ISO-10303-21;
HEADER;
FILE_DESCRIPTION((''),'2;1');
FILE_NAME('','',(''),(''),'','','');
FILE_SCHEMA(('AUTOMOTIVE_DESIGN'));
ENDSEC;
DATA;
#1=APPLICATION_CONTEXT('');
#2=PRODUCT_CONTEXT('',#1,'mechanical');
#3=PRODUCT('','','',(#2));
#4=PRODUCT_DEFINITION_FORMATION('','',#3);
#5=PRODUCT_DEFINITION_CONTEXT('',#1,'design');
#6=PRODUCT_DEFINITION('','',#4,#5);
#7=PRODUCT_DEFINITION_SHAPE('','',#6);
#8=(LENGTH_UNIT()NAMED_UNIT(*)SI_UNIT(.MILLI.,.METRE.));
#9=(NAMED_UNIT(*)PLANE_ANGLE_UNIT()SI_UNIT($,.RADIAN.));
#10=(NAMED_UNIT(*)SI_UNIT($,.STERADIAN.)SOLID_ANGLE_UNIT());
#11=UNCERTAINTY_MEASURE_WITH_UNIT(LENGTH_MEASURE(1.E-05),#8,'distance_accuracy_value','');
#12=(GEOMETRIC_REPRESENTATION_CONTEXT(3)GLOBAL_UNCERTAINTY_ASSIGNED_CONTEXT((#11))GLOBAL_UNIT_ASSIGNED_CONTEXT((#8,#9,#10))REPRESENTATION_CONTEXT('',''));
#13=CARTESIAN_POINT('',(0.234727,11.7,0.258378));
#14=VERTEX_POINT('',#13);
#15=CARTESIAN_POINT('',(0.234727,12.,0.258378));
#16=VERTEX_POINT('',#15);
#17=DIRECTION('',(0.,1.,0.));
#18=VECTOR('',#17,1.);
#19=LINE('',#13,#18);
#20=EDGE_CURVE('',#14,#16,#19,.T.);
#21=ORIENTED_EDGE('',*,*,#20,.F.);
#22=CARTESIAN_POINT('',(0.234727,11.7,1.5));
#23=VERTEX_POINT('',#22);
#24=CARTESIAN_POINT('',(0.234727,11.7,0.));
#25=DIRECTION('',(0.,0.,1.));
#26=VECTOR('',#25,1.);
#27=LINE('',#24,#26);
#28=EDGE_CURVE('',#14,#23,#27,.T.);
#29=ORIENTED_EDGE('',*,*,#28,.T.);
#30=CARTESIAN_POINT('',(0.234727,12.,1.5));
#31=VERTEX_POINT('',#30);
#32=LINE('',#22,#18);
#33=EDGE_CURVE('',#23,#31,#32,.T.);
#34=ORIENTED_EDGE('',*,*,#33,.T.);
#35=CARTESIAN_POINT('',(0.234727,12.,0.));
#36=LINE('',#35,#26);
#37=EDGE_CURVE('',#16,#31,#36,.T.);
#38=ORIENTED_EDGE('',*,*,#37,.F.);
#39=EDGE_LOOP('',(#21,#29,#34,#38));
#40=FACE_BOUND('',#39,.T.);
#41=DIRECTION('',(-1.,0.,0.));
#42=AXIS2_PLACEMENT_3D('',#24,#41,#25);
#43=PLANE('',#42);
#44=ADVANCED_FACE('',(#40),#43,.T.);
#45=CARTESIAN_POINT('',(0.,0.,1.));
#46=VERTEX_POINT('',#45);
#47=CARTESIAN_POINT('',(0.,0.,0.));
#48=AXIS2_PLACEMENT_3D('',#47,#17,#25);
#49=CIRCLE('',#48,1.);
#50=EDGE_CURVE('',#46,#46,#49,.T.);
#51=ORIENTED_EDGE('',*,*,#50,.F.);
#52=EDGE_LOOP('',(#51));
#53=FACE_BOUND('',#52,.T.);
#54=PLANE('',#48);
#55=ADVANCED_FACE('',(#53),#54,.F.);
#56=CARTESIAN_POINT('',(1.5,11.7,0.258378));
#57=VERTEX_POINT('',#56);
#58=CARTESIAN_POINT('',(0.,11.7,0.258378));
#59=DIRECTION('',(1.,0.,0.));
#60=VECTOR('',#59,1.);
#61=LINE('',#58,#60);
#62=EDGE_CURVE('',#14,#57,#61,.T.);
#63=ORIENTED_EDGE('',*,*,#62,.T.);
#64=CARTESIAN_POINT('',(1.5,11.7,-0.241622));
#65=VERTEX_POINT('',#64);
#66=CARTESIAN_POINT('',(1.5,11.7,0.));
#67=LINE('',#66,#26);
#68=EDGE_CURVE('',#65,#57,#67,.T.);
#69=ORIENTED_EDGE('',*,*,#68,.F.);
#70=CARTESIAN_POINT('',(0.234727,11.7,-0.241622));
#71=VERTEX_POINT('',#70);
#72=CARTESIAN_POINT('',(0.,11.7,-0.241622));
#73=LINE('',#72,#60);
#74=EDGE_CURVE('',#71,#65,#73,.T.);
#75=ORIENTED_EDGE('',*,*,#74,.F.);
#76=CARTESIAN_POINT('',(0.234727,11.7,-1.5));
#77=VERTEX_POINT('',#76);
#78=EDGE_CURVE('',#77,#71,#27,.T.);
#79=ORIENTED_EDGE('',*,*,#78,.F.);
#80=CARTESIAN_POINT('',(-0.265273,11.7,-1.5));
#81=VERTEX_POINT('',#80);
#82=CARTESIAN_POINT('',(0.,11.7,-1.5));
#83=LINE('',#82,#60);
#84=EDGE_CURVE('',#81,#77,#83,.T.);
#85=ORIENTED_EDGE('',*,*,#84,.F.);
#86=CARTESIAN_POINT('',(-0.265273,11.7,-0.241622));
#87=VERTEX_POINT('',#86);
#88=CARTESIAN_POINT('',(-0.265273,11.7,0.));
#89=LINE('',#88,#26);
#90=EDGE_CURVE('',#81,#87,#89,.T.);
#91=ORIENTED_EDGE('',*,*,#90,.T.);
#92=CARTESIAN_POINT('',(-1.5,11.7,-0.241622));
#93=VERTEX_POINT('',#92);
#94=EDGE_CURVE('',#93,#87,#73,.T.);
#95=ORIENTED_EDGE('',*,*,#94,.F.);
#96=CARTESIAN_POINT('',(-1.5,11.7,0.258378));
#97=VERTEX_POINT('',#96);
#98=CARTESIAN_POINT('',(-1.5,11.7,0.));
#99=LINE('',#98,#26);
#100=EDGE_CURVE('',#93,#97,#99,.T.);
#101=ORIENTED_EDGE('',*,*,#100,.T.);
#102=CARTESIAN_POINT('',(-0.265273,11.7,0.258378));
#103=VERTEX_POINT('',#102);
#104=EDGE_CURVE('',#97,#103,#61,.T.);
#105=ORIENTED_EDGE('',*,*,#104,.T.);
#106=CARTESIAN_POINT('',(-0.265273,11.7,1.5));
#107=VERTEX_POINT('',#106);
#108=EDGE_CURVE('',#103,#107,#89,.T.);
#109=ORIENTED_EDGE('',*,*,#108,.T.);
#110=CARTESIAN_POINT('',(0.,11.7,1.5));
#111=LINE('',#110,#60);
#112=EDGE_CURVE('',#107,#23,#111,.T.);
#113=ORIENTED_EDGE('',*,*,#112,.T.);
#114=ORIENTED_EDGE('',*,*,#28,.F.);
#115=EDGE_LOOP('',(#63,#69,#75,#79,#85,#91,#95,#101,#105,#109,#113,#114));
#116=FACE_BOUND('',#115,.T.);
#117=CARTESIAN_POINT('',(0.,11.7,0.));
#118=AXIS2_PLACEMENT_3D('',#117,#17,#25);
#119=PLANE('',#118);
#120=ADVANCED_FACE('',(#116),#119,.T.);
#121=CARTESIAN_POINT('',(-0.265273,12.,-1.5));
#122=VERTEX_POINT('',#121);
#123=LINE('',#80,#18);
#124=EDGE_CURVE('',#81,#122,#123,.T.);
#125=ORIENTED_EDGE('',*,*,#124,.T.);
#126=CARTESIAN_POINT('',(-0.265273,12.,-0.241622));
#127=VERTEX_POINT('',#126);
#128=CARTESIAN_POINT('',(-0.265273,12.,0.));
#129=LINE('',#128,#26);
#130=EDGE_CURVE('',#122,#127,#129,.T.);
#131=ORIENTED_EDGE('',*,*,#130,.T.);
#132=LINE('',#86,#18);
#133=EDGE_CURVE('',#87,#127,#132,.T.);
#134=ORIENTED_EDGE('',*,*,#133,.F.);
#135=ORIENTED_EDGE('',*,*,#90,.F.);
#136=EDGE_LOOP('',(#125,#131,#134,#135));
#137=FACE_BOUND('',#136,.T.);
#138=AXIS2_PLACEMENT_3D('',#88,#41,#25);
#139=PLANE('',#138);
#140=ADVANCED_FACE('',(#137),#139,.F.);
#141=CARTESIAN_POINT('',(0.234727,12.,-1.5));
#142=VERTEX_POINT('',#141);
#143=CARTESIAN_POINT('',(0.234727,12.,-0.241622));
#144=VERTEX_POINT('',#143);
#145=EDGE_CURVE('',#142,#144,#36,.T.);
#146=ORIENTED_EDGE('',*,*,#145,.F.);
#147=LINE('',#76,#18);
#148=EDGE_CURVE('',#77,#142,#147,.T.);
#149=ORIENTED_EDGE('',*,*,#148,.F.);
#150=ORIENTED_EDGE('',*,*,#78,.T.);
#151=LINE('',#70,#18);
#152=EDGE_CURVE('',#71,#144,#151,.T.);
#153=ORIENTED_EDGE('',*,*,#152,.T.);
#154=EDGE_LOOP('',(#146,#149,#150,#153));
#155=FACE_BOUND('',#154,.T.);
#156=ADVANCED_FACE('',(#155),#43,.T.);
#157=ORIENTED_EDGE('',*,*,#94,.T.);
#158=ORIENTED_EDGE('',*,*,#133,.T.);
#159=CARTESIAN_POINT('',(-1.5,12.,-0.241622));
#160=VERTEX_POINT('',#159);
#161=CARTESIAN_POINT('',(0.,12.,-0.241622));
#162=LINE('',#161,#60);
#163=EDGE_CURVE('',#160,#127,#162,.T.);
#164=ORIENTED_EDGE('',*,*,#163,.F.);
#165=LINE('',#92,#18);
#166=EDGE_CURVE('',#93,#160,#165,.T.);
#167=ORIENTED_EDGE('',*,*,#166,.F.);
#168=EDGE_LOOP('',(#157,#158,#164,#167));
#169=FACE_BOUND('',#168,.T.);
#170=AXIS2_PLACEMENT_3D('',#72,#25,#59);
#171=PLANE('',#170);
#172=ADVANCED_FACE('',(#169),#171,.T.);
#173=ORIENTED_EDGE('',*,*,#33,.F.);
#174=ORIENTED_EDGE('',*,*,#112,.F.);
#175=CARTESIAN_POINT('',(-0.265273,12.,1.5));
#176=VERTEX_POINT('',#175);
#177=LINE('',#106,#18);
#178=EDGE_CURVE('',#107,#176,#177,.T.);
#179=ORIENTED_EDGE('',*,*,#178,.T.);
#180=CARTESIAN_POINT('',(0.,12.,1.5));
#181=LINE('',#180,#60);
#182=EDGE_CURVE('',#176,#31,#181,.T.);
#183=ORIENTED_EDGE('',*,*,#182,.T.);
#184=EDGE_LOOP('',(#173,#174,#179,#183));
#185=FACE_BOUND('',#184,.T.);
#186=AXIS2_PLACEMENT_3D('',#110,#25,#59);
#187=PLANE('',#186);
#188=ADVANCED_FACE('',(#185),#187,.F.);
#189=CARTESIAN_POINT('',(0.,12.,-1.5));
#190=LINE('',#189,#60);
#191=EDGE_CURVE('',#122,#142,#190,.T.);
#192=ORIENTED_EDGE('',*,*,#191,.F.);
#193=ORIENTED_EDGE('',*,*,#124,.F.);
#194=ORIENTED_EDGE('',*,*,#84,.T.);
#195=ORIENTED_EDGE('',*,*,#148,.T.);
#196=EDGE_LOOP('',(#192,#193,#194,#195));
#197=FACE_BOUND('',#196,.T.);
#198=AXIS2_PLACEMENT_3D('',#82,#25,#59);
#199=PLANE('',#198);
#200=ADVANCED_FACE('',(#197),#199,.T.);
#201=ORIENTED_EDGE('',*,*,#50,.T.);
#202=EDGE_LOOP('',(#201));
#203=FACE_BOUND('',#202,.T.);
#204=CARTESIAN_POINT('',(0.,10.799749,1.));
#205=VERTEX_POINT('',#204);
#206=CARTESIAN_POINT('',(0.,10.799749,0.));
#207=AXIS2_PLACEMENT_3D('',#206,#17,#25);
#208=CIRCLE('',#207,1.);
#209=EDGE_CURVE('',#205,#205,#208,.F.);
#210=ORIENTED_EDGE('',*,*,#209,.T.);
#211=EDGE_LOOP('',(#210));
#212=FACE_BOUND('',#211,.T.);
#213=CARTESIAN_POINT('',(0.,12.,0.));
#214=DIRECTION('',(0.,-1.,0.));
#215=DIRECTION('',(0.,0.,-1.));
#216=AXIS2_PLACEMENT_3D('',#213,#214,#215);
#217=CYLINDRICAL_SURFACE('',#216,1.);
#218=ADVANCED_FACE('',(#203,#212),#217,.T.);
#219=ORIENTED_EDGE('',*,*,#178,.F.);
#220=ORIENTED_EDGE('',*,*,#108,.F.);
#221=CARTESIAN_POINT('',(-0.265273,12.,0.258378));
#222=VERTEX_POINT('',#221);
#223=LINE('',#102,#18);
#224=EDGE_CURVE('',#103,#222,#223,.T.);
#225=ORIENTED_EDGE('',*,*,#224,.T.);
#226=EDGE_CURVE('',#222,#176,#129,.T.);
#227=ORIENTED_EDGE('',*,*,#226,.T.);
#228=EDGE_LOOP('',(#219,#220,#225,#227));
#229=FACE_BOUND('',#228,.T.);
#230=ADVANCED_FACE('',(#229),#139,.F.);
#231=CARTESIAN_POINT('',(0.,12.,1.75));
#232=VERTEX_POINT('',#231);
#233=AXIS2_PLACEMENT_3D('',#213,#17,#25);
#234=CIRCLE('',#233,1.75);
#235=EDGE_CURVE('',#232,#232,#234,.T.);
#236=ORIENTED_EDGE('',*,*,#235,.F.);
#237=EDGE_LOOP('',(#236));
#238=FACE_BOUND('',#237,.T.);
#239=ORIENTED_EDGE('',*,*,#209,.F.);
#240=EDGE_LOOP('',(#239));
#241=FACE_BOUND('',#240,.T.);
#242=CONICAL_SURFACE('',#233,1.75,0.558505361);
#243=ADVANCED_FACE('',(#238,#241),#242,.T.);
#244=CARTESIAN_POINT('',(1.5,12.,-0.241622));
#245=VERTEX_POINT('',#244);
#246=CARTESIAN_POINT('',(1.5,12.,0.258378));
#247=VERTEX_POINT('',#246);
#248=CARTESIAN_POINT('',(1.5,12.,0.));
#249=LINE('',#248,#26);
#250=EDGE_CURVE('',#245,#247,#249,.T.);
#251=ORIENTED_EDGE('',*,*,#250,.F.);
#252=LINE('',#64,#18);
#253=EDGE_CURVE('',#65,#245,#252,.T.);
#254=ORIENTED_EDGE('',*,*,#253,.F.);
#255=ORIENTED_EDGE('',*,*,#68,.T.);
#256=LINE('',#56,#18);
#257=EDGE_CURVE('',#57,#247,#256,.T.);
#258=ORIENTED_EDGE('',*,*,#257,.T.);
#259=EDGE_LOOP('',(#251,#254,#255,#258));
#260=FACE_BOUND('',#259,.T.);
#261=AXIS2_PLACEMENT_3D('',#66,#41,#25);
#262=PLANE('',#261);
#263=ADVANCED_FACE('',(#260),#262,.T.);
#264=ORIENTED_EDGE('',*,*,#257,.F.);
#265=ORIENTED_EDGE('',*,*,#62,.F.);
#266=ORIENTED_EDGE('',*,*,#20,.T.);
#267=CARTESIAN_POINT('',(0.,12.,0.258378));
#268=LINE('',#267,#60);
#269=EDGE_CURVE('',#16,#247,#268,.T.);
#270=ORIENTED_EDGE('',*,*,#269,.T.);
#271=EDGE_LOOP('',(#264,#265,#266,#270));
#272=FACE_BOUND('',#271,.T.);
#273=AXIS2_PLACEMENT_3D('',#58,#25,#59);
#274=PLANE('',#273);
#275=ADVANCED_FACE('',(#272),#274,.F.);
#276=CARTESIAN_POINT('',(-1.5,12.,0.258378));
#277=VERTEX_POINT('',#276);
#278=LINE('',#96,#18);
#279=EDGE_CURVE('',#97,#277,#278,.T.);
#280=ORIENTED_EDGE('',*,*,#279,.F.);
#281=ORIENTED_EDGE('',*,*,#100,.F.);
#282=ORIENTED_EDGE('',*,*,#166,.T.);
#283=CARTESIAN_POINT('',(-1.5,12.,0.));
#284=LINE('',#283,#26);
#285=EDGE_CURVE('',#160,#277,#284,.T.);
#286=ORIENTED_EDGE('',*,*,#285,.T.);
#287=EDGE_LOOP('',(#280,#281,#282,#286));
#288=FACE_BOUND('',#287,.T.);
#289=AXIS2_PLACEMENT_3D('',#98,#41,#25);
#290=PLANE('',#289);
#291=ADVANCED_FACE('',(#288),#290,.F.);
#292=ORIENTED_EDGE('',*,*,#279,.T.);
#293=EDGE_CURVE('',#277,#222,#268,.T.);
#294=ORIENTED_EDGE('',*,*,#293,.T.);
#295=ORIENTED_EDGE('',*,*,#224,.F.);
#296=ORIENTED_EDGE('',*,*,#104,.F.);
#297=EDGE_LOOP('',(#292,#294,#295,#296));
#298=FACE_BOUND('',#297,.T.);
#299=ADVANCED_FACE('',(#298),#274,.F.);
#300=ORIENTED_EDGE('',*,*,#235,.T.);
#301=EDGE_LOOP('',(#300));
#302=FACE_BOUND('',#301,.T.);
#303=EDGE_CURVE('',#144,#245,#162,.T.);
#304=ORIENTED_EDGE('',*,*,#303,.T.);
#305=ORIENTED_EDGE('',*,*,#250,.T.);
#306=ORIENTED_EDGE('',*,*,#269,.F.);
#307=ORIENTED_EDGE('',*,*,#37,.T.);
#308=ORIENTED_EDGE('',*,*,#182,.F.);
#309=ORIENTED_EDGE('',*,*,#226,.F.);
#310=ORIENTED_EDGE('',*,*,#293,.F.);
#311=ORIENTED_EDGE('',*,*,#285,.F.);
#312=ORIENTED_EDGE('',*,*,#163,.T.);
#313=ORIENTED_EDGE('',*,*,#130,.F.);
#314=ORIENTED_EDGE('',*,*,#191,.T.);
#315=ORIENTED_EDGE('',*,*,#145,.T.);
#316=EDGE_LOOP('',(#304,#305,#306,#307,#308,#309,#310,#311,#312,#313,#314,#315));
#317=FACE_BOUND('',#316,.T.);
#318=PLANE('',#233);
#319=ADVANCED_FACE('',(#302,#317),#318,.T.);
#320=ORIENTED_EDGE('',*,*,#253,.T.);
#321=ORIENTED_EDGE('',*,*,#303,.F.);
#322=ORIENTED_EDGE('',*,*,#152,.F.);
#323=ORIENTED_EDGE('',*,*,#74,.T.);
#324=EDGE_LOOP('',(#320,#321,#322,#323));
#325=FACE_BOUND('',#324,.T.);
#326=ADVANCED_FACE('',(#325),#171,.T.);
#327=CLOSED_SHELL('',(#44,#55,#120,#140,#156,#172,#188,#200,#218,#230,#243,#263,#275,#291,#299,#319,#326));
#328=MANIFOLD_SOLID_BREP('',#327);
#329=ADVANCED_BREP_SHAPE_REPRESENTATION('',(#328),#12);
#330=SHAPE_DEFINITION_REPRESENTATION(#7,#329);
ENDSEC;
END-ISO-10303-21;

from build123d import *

# Parameters (mm, degrees)
SKETCH1_R           = 1
BOSS_EXTRUDE1_DEPTH = 12
SKETCH2_R           = 1.75
BOSS_EXTRUDE2_DEPTH = 1.3
BOSS_EXTRUDE2_TAPER = 32
SKETCH3_W           = 0.5
SKETCH3_H           = 1.258378485
SKETCH3_H_2         = 1.241621515
SKETCH3_W_2         = 1.234727157
SKETCH3_H_3         = 0.5
SKETCH3_W_3         = 1.265272843
CUT_EXTRUDE1_DEPTH  = 0.3


with BuildPart() as part:
    # Sketch1 → Boss-Extrude1 (new body)
    with BuildSketch(Plane(origin=(0, 0, 0), x_dir=(1, 0, 0), z_dir=(0, 1, 0))):
        Circle(SKETCH1_R)
    extrude(amount=BOSS_EXTRUDE1_DEPTH)

    # Sketch2 → Boss-Extrude2 (add)
    with BuildSketch(Plane(origin=(0, 12, 0), x_dir=(1, 0, 0), z_dir=(0, 1, 0))):
        Circle(SKETCH2_R)
    extrude(amount=-BOSS_EXTRUDE2_DEPTH, taper=BOSS_EXTRUDE2_TAPER)

    # Sketch3 → Cut-Extrude1 (cut)
    with BuildSketch(Plane(origin=(0, 12, 0), x_dir=(1, 0, 0), z_dir=(0, 1, 0))):
        with Locations((-0.015272843, 0.870810758)):
            Rectangle(SKETCH3_W, SKETCH3_H)
        with Locations((-0.015272843, -0.879189242)):
            Rectangle(SKETCH3_W, SKETCH3_H_2)
        with Locations((-0.882636421, -0.008378485)):
            Rectangle(SKETCH3_W_2, SKETCH3_H_3)
        with Locations((0.867363579, -0.008378485)):
            Rectangle(SKETCH3_W_3, SKETCH3_H_3)
        with Locations((-0.015272843, -0.008378485)):
            Rectangle(SKETCH3_W, SKETCH3_H_3)
    extrude(amount=-CUT_EXTRUDE1_DEPTH, mode=Mode.SUBTRACT)


solid = part.part
